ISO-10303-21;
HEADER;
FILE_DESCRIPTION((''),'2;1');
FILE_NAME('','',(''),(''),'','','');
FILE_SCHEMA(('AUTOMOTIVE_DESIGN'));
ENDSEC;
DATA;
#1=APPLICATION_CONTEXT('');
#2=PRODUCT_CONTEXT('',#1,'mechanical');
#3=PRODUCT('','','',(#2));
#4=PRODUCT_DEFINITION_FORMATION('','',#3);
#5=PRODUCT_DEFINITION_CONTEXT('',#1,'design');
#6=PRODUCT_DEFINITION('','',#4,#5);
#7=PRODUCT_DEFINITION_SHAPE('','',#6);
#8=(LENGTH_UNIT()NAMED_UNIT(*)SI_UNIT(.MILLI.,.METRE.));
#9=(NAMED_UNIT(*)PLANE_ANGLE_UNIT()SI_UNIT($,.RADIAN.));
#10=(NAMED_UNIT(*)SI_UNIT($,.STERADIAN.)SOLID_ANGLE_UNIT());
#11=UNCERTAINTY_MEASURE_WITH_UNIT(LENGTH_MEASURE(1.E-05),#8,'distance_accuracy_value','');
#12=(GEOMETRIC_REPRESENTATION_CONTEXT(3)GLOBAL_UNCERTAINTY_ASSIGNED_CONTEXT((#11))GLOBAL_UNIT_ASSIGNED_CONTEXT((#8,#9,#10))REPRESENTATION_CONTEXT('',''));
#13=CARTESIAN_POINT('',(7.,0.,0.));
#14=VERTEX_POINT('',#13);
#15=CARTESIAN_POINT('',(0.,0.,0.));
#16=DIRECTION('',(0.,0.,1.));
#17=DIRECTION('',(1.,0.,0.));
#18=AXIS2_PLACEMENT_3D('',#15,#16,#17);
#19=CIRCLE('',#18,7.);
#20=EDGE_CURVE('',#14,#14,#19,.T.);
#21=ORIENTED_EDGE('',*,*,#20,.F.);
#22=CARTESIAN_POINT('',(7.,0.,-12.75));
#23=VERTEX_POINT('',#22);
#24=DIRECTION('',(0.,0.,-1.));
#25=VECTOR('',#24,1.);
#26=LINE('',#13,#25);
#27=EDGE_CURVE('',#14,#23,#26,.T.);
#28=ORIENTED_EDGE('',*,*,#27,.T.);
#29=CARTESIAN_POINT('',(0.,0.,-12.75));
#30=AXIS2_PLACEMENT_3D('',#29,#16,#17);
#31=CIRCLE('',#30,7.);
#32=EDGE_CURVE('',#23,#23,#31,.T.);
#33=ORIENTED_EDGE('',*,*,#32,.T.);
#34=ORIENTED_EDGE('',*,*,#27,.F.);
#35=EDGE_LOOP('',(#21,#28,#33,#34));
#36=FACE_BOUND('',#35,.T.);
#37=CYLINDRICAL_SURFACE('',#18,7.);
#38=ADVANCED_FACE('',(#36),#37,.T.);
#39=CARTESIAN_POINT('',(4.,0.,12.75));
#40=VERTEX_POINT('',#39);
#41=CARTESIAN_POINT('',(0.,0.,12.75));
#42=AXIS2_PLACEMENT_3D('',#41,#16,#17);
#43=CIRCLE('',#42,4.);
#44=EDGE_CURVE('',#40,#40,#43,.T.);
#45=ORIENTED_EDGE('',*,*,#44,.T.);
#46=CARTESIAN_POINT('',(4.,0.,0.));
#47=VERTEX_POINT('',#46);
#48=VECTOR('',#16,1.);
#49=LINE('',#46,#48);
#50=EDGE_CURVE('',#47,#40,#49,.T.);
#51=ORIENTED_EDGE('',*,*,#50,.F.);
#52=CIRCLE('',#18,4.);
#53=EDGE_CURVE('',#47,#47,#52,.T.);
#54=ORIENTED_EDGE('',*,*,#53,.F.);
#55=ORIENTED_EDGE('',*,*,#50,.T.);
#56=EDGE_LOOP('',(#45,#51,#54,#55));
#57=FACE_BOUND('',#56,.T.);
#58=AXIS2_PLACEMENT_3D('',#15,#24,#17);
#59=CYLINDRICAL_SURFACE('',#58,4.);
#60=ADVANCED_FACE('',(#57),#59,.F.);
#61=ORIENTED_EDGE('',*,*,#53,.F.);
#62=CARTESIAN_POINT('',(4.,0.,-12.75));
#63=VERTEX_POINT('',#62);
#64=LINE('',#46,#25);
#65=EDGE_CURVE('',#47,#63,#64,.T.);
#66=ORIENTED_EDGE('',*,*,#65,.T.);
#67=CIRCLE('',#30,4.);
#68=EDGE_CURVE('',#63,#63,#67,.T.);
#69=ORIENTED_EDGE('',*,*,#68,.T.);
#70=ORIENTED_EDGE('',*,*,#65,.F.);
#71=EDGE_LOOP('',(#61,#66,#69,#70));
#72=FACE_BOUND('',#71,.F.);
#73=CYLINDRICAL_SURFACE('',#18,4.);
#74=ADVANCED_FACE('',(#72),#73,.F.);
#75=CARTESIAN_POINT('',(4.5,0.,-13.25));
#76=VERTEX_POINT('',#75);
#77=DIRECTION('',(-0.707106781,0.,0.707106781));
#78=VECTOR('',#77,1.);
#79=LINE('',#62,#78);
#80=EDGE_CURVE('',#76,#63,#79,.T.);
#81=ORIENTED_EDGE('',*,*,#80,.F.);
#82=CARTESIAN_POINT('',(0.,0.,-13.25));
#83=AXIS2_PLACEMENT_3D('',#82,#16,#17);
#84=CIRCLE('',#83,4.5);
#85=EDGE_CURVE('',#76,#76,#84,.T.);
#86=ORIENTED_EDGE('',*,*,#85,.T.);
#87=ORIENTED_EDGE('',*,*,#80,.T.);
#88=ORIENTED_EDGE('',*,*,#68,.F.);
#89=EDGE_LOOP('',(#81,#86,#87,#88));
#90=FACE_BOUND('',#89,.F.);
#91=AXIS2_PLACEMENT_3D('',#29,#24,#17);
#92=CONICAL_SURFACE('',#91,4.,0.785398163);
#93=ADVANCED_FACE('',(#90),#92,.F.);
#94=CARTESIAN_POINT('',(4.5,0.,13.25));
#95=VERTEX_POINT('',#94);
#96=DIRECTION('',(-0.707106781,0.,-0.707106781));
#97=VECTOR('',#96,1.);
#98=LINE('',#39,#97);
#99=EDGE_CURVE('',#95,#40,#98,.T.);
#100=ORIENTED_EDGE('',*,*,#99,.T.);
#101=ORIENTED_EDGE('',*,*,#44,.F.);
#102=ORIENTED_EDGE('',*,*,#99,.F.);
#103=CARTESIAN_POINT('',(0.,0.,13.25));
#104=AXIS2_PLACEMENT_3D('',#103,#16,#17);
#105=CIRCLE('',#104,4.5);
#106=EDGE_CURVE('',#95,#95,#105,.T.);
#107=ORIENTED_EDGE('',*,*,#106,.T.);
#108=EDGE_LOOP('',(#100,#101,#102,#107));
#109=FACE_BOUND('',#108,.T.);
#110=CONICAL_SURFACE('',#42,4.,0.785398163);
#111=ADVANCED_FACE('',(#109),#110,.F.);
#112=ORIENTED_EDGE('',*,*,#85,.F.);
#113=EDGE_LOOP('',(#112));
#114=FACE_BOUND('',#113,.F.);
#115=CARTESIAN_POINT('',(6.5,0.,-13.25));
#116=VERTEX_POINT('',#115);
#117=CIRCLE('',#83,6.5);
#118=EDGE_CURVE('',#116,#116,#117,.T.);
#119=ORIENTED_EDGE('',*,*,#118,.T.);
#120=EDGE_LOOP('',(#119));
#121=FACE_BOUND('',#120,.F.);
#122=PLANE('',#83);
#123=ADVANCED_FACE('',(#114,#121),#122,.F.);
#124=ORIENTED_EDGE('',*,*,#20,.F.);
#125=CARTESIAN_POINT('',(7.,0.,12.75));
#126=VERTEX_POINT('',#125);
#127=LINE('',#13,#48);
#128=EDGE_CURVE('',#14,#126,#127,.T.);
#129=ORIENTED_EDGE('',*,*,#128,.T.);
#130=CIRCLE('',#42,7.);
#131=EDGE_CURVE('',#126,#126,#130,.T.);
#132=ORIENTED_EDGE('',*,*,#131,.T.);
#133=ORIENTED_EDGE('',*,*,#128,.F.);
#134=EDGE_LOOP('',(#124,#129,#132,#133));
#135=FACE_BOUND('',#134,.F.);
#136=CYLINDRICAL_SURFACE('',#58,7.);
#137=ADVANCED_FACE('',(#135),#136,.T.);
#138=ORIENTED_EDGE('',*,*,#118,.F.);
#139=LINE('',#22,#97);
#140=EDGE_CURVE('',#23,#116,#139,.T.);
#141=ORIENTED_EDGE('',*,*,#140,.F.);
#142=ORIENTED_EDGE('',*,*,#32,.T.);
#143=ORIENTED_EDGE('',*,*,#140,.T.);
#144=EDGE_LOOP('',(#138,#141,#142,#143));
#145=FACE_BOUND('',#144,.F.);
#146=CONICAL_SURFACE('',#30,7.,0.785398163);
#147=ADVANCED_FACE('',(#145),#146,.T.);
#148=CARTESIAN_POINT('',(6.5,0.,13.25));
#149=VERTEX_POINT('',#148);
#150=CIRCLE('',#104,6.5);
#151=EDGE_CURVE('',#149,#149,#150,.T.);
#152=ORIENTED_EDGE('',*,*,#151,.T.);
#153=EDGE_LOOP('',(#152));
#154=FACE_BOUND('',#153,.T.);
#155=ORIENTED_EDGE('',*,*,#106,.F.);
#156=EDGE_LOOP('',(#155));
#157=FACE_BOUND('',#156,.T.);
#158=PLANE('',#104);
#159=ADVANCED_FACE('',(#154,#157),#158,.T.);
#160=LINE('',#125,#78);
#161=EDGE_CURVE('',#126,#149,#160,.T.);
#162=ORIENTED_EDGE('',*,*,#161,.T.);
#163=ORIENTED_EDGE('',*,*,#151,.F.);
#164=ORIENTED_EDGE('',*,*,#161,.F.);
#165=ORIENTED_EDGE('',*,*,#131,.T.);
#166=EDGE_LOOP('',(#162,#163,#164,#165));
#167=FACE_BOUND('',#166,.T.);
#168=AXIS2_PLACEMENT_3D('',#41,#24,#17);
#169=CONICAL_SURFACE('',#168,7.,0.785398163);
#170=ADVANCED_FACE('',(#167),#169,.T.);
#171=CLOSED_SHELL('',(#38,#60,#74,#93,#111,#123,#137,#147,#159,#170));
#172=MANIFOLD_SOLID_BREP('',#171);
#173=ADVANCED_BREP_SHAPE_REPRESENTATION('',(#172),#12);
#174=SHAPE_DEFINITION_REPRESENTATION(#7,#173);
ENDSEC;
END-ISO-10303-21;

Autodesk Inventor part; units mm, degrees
ref_plane "YZ Plane" through (0, 0, 0) normal (1, 0, 0) x (0, 1, 0)
ref_plane "XZ Plane" through (0, 0, 0) normal (0, 1, 0) x (-1, 0, 0)
ref_plane "XY Plane" through (0, 0, 0) normal (0, 0, 1) x (1, 0, 0)
sketch "スケッチ1" plane through (0, 0, 0) normal (0, 0, 1) x (1, 0, 0)
  circle A0 centre (0, 0) radius 4
  circle A1 centre (0, 0) radius 7
  dimension "d0" = 8
  dimension "d1" = 14
extrude "押し出し1" add sketch "スケッチ1" along normal mid plane 26.5
chamfer "面取り1" distance 0.5 angle 45 4 edges at (-7, 0, 13.25) (-4, 0, 13.25) (-7, 0, -13.25) (-4, 0, -13.25)
properties part number "spacer11" material "ABS プラスチック"
